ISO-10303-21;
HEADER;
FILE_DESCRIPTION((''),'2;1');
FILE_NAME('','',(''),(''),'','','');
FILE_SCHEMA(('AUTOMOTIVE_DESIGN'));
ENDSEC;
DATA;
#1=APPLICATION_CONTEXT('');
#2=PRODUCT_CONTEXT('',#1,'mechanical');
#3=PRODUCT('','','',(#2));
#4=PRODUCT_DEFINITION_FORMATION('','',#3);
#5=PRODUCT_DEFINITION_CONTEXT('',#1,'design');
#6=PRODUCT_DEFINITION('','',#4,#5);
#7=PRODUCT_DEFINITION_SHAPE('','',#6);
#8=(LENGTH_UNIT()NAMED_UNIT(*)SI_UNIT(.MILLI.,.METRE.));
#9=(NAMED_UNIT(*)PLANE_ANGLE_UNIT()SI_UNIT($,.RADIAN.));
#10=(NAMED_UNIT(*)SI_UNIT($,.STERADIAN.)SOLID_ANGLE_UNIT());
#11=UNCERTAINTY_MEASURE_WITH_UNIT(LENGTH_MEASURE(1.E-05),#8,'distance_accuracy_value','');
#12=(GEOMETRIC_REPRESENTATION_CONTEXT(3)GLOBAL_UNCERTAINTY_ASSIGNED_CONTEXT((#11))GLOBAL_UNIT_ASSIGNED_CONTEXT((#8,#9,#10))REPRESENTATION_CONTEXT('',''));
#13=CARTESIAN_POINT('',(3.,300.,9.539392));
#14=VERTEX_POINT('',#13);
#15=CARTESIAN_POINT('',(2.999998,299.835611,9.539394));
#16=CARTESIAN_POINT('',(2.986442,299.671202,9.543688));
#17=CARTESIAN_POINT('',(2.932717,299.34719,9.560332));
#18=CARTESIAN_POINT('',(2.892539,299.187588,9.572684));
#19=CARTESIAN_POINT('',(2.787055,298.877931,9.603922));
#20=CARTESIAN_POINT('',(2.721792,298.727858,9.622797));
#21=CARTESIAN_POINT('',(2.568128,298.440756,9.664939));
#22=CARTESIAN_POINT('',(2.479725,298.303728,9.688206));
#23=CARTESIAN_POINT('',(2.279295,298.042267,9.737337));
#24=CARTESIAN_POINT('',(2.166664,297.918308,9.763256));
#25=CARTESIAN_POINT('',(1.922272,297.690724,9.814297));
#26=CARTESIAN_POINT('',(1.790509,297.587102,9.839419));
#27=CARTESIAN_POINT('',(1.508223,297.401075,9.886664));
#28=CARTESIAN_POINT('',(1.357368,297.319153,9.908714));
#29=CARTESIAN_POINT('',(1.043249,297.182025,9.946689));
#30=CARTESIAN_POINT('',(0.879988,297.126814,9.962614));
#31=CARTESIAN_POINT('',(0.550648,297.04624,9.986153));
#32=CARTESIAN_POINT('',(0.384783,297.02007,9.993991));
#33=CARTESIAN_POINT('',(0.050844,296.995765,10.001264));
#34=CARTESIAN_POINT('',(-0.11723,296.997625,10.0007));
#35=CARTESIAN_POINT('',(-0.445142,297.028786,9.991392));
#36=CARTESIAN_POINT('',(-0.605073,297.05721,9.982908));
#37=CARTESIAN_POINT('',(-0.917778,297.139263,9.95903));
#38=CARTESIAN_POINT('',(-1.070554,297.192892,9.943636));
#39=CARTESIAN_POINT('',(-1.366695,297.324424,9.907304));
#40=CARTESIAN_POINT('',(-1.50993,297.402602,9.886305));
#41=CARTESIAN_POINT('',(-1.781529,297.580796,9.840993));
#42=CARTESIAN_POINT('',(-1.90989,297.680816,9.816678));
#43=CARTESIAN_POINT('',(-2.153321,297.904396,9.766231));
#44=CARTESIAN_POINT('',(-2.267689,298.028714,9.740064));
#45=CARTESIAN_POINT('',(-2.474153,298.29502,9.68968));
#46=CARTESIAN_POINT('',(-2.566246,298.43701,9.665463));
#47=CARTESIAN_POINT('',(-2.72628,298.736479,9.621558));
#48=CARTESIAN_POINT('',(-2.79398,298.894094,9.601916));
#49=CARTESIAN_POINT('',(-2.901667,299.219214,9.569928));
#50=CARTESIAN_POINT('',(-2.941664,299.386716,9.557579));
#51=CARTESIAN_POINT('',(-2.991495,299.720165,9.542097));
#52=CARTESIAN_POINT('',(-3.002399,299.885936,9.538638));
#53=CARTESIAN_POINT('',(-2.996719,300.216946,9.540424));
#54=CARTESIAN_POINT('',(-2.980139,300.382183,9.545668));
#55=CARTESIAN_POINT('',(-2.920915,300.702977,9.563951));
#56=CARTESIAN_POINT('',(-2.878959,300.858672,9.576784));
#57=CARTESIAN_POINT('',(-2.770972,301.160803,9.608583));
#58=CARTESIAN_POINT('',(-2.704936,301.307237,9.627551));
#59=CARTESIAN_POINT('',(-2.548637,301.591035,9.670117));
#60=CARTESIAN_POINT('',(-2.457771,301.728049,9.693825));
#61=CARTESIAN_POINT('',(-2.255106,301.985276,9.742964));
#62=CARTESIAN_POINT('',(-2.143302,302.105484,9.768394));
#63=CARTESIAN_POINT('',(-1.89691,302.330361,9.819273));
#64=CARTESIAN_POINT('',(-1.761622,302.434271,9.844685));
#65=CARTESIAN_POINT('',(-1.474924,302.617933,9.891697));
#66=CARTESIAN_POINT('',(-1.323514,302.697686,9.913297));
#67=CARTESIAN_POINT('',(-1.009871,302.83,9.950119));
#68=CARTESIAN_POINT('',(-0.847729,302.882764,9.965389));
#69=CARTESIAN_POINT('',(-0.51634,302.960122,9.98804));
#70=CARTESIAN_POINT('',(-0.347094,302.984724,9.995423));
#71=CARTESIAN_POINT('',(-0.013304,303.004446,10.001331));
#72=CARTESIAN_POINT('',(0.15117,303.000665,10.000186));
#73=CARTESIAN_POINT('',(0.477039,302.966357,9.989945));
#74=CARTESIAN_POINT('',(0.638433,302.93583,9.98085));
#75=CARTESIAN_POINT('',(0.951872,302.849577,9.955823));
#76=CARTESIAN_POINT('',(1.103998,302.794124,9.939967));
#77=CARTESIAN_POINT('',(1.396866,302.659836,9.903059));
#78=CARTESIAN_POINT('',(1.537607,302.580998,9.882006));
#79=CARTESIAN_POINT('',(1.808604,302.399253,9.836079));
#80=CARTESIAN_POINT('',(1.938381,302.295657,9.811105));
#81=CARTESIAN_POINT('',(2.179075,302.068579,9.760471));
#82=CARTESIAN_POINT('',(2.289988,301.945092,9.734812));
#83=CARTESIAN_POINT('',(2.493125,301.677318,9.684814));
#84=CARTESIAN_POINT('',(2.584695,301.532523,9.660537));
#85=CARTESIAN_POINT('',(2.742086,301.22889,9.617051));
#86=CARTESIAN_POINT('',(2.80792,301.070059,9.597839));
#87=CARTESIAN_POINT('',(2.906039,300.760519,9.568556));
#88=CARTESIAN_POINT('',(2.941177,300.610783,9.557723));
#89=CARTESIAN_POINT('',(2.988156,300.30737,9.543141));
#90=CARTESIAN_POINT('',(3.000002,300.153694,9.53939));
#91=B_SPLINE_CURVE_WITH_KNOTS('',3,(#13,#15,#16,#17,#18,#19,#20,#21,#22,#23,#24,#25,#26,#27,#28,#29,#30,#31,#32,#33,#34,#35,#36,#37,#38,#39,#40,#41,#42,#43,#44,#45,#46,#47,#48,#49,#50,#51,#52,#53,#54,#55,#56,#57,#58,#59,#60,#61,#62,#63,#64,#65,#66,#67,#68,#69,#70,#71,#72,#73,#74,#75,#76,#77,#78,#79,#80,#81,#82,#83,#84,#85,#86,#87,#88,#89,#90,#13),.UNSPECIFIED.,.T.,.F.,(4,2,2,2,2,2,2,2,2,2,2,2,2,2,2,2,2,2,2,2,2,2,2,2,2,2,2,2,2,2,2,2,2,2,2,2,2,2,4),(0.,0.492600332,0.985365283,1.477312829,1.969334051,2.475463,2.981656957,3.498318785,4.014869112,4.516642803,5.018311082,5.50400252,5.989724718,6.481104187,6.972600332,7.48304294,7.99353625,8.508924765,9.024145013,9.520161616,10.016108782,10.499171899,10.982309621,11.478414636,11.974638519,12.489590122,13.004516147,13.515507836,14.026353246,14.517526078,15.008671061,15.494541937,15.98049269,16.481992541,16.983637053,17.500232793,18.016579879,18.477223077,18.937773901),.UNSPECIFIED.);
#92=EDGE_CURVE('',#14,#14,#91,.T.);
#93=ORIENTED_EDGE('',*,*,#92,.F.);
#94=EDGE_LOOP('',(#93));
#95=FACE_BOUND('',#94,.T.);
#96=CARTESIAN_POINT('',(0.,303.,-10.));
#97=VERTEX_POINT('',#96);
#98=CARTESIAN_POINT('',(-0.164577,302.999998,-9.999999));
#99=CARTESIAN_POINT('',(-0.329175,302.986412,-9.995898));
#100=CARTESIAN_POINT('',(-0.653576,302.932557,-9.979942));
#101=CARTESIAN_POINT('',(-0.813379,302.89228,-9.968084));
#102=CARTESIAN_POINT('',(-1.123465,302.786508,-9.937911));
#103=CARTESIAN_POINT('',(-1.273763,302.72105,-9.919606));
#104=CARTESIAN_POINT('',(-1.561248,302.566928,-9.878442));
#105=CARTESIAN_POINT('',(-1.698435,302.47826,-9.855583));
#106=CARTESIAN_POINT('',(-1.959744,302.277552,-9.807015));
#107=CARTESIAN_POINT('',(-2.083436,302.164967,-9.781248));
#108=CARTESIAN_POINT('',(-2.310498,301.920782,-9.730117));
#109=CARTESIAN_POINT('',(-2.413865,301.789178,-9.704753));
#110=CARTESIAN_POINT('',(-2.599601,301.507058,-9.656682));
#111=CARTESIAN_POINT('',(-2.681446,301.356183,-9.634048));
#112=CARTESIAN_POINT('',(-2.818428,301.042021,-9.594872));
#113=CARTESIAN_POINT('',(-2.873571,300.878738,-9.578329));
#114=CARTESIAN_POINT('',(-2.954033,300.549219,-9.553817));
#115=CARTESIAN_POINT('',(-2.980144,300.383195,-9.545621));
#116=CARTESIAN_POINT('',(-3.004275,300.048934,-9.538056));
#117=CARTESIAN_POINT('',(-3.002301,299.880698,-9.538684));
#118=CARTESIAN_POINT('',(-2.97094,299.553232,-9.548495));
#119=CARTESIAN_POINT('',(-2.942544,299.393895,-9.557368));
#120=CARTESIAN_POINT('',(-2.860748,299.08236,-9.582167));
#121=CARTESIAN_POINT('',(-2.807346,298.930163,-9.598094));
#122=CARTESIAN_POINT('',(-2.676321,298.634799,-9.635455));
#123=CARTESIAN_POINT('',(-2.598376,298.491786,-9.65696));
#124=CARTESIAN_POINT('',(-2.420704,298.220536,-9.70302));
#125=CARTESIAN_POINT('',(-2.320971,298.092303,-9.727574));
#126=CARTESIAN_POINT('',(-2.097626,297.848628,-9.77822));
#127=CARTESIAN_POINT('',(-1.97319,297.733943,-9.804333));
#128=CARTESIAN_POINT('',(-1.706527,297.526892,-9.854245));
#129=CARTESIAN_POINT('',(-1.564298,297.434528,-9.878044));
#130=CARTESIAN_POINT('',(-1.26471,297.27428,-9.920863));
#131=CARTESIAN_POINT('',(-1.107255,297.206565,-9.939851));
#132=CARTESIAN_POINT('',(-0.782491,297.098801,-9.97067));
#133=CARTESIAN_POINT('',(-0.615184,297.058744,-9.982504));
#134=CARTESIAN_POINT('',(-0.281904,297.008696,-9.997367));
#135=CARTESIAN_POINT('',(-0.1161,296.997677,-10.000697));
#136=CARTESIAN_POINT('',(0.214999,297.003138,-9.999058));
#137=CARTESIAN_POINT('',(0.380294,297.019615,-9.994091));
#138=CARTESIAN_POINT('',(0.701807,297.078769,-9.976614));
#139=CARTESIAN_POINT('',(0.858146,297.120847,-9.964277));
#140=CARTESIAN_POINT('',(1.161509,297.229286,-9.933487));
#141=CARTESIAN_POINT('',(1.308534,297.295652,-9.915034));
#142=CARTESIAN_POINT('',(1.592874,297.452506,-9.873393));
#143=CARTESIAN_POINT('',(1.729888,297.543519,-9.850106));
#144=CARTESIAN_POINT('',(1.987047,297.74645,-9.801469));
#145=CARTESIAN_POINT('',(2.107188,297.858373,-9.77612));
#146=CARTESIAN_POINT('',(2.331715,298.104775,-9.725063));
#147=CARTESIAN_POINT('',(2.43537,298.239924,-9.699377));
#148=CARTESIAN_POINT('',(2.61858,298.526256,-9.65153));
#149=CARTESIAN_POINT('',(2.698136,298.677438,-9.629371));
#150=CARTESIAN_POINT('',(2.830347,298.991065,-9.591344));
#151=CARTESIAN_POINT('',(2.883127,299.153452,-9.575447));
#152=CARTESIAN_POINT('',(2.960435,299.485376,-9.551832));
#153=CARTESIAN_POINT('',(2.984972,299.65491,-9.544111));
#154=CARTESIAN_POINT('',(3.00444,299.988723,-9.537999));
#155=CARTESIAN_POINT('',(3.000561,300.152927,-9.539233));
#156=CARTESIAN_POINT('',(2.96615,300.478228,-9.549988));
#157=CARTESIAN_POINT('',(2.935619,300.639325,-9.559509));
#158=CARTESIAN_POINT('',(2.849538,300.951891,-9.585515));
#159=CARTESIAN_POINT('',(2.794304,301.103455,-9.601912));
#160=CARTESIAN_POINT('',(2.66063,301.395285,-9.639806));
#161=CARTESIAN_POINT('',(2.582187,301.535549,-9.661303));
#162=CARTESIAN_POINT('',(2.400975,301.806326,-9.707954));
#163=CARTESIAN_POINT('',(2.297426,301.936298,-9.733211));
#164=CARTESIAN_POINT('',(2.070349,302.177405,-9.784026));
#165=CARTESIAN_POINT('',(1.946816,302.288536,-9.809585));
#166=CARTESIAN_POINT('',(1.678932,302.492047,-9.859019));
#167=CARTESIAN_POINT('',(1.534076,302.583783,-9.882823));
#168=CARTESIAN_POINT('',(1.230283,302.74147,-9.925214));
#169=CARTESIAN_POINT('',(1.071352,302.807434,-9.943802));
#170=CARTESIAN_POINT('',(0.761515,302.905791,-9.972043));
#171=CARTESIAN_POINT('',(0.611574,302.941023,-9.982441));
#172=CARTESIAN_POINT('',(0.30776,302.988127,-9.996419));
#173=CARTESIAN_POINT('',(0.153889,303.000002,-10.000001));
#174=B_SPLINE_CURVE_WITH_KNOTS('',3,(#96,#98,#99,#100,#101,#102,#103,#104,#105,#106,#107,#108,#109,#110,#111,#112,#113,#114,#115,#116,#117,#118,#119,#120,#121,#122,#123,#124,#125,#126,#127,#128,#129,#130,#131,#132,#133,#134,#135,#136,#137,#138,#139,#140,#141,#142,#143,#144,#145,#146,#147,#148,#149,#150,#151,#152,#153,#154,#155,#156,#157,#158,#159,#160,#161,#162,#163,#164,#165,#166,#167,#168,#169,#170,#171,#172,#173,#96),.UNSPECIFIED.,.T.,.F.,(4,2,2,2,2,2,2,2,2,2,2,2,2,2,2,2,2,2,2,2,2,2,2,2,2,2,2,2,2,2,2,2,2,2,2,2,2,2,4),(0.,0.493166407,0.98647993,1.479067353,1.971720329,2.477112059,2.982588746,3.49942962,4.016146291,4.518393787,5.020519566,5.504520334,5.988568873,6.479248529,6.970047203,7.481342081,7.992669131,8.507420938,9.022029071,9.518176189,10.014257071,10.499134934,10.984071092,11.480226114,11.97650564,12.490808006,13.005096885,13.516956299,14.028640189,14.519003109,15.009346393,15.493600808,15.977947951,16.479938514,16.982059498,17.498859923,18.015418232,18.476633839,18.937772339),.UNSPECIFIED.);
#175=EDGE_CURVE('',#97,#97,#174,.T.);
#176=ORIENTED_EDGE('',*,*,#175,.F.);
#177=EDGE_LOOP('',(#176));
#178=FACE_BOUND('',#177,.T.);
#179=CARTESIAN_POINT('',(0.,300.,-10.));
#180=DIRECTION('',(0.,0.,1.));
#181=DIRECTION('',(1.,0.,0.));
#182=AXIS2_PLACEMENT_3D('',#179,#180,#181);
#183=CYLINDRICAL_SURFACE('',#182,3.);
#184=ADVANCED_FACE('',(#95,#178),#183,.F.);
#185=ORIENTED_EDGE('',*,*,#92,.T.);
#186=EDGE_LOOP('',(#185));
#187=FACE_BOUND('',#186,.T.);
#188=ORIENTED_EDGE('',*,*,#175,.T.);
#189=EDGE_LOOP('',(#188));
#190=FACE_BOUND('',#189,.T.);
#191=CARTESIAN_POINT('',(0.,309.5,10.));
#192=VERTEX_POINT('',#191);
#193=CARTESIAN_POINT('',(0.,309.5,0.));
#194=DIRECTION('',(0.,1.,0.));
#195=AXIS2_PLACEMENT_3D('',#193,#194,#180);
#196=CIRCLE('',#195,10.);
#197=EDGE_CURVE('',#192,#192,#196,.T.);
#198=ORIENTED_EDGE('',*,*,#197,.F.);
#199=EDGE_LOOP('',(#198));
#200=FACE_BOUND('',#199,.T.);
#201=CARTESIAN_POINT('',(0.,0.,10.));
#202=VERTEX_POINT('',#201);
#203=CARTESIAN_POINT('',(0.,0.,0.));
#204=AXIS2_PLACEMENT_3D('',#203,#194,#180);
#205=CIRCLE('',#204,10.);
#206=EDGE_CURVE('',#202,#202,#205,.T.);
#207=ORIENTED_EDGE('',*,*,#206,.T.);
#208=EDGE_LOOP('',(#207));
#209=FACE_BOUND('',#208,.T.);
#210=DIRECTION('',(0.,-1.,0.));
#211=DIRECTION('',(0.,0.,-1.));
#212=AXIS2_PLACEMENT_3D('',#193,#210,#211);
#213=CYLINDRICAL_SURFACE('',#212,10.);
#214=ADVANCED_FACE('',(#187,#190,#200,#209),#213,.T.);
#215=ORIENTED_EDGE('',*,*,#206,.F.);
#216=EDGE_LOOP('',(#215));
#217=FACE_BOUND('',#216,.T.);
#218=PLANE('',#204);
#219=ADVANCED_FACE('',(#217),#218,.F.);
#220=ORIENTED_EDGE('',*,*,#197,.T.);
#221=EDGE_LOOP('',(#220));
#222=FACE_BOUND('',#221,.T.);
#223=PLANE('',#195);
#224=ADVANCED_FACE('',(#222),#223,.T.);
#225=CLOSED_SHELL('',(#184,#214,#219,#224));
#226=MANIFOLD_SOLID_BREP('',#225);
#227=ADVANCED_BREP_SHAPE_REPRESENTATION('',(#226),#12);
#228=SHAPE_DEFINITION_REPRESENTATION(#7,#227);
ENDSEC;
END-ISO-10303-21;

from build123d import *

# Parameters (mm, degrees)
SKETCH_2_R               = 10
EXTRUDE_1_DEPTH          = 309.5
CUT_EXTRUDE_2_DEPTH      = 310.822933302
CUT_EXTRUDE_2_DEPTH_BACK = 310.822933302
SKETCH_3_R               = 3


with BuildPart() as part:
    # 草图2 → 凸台-拉伸1 (new body)
    with BuildSketch(Plane(origin=(0, 0, 0), x_dir=(1, 0, 0), z_dir=(0, 1, 0))):
        with Locations(Location((0, 0, 0), (0, 0, 270))):
            Circle(SKETCH_2_R)
    extrude(amount=EXTRUDE_1_DEPTH)

    # 草图3 → 切除-拉伸2 (cut, two sides: drawn at the far end of the back side and taken through both)
    with BuildSketch(Plane.XY.offset(-CUT_EXTRUDE_2_DEPTH_BACK)):
        with Locations(Location((0, 300, 0), (0, 0, 89.999999982))):
            Circle(SKETCH_3_R)
    extrude(amount=CUT_EXTRUDE_2_DEPTH + CUT_EXTRUDE_2_DEPTH_BACK, mode=Mode.SUBTRACT)


solid = part.part
